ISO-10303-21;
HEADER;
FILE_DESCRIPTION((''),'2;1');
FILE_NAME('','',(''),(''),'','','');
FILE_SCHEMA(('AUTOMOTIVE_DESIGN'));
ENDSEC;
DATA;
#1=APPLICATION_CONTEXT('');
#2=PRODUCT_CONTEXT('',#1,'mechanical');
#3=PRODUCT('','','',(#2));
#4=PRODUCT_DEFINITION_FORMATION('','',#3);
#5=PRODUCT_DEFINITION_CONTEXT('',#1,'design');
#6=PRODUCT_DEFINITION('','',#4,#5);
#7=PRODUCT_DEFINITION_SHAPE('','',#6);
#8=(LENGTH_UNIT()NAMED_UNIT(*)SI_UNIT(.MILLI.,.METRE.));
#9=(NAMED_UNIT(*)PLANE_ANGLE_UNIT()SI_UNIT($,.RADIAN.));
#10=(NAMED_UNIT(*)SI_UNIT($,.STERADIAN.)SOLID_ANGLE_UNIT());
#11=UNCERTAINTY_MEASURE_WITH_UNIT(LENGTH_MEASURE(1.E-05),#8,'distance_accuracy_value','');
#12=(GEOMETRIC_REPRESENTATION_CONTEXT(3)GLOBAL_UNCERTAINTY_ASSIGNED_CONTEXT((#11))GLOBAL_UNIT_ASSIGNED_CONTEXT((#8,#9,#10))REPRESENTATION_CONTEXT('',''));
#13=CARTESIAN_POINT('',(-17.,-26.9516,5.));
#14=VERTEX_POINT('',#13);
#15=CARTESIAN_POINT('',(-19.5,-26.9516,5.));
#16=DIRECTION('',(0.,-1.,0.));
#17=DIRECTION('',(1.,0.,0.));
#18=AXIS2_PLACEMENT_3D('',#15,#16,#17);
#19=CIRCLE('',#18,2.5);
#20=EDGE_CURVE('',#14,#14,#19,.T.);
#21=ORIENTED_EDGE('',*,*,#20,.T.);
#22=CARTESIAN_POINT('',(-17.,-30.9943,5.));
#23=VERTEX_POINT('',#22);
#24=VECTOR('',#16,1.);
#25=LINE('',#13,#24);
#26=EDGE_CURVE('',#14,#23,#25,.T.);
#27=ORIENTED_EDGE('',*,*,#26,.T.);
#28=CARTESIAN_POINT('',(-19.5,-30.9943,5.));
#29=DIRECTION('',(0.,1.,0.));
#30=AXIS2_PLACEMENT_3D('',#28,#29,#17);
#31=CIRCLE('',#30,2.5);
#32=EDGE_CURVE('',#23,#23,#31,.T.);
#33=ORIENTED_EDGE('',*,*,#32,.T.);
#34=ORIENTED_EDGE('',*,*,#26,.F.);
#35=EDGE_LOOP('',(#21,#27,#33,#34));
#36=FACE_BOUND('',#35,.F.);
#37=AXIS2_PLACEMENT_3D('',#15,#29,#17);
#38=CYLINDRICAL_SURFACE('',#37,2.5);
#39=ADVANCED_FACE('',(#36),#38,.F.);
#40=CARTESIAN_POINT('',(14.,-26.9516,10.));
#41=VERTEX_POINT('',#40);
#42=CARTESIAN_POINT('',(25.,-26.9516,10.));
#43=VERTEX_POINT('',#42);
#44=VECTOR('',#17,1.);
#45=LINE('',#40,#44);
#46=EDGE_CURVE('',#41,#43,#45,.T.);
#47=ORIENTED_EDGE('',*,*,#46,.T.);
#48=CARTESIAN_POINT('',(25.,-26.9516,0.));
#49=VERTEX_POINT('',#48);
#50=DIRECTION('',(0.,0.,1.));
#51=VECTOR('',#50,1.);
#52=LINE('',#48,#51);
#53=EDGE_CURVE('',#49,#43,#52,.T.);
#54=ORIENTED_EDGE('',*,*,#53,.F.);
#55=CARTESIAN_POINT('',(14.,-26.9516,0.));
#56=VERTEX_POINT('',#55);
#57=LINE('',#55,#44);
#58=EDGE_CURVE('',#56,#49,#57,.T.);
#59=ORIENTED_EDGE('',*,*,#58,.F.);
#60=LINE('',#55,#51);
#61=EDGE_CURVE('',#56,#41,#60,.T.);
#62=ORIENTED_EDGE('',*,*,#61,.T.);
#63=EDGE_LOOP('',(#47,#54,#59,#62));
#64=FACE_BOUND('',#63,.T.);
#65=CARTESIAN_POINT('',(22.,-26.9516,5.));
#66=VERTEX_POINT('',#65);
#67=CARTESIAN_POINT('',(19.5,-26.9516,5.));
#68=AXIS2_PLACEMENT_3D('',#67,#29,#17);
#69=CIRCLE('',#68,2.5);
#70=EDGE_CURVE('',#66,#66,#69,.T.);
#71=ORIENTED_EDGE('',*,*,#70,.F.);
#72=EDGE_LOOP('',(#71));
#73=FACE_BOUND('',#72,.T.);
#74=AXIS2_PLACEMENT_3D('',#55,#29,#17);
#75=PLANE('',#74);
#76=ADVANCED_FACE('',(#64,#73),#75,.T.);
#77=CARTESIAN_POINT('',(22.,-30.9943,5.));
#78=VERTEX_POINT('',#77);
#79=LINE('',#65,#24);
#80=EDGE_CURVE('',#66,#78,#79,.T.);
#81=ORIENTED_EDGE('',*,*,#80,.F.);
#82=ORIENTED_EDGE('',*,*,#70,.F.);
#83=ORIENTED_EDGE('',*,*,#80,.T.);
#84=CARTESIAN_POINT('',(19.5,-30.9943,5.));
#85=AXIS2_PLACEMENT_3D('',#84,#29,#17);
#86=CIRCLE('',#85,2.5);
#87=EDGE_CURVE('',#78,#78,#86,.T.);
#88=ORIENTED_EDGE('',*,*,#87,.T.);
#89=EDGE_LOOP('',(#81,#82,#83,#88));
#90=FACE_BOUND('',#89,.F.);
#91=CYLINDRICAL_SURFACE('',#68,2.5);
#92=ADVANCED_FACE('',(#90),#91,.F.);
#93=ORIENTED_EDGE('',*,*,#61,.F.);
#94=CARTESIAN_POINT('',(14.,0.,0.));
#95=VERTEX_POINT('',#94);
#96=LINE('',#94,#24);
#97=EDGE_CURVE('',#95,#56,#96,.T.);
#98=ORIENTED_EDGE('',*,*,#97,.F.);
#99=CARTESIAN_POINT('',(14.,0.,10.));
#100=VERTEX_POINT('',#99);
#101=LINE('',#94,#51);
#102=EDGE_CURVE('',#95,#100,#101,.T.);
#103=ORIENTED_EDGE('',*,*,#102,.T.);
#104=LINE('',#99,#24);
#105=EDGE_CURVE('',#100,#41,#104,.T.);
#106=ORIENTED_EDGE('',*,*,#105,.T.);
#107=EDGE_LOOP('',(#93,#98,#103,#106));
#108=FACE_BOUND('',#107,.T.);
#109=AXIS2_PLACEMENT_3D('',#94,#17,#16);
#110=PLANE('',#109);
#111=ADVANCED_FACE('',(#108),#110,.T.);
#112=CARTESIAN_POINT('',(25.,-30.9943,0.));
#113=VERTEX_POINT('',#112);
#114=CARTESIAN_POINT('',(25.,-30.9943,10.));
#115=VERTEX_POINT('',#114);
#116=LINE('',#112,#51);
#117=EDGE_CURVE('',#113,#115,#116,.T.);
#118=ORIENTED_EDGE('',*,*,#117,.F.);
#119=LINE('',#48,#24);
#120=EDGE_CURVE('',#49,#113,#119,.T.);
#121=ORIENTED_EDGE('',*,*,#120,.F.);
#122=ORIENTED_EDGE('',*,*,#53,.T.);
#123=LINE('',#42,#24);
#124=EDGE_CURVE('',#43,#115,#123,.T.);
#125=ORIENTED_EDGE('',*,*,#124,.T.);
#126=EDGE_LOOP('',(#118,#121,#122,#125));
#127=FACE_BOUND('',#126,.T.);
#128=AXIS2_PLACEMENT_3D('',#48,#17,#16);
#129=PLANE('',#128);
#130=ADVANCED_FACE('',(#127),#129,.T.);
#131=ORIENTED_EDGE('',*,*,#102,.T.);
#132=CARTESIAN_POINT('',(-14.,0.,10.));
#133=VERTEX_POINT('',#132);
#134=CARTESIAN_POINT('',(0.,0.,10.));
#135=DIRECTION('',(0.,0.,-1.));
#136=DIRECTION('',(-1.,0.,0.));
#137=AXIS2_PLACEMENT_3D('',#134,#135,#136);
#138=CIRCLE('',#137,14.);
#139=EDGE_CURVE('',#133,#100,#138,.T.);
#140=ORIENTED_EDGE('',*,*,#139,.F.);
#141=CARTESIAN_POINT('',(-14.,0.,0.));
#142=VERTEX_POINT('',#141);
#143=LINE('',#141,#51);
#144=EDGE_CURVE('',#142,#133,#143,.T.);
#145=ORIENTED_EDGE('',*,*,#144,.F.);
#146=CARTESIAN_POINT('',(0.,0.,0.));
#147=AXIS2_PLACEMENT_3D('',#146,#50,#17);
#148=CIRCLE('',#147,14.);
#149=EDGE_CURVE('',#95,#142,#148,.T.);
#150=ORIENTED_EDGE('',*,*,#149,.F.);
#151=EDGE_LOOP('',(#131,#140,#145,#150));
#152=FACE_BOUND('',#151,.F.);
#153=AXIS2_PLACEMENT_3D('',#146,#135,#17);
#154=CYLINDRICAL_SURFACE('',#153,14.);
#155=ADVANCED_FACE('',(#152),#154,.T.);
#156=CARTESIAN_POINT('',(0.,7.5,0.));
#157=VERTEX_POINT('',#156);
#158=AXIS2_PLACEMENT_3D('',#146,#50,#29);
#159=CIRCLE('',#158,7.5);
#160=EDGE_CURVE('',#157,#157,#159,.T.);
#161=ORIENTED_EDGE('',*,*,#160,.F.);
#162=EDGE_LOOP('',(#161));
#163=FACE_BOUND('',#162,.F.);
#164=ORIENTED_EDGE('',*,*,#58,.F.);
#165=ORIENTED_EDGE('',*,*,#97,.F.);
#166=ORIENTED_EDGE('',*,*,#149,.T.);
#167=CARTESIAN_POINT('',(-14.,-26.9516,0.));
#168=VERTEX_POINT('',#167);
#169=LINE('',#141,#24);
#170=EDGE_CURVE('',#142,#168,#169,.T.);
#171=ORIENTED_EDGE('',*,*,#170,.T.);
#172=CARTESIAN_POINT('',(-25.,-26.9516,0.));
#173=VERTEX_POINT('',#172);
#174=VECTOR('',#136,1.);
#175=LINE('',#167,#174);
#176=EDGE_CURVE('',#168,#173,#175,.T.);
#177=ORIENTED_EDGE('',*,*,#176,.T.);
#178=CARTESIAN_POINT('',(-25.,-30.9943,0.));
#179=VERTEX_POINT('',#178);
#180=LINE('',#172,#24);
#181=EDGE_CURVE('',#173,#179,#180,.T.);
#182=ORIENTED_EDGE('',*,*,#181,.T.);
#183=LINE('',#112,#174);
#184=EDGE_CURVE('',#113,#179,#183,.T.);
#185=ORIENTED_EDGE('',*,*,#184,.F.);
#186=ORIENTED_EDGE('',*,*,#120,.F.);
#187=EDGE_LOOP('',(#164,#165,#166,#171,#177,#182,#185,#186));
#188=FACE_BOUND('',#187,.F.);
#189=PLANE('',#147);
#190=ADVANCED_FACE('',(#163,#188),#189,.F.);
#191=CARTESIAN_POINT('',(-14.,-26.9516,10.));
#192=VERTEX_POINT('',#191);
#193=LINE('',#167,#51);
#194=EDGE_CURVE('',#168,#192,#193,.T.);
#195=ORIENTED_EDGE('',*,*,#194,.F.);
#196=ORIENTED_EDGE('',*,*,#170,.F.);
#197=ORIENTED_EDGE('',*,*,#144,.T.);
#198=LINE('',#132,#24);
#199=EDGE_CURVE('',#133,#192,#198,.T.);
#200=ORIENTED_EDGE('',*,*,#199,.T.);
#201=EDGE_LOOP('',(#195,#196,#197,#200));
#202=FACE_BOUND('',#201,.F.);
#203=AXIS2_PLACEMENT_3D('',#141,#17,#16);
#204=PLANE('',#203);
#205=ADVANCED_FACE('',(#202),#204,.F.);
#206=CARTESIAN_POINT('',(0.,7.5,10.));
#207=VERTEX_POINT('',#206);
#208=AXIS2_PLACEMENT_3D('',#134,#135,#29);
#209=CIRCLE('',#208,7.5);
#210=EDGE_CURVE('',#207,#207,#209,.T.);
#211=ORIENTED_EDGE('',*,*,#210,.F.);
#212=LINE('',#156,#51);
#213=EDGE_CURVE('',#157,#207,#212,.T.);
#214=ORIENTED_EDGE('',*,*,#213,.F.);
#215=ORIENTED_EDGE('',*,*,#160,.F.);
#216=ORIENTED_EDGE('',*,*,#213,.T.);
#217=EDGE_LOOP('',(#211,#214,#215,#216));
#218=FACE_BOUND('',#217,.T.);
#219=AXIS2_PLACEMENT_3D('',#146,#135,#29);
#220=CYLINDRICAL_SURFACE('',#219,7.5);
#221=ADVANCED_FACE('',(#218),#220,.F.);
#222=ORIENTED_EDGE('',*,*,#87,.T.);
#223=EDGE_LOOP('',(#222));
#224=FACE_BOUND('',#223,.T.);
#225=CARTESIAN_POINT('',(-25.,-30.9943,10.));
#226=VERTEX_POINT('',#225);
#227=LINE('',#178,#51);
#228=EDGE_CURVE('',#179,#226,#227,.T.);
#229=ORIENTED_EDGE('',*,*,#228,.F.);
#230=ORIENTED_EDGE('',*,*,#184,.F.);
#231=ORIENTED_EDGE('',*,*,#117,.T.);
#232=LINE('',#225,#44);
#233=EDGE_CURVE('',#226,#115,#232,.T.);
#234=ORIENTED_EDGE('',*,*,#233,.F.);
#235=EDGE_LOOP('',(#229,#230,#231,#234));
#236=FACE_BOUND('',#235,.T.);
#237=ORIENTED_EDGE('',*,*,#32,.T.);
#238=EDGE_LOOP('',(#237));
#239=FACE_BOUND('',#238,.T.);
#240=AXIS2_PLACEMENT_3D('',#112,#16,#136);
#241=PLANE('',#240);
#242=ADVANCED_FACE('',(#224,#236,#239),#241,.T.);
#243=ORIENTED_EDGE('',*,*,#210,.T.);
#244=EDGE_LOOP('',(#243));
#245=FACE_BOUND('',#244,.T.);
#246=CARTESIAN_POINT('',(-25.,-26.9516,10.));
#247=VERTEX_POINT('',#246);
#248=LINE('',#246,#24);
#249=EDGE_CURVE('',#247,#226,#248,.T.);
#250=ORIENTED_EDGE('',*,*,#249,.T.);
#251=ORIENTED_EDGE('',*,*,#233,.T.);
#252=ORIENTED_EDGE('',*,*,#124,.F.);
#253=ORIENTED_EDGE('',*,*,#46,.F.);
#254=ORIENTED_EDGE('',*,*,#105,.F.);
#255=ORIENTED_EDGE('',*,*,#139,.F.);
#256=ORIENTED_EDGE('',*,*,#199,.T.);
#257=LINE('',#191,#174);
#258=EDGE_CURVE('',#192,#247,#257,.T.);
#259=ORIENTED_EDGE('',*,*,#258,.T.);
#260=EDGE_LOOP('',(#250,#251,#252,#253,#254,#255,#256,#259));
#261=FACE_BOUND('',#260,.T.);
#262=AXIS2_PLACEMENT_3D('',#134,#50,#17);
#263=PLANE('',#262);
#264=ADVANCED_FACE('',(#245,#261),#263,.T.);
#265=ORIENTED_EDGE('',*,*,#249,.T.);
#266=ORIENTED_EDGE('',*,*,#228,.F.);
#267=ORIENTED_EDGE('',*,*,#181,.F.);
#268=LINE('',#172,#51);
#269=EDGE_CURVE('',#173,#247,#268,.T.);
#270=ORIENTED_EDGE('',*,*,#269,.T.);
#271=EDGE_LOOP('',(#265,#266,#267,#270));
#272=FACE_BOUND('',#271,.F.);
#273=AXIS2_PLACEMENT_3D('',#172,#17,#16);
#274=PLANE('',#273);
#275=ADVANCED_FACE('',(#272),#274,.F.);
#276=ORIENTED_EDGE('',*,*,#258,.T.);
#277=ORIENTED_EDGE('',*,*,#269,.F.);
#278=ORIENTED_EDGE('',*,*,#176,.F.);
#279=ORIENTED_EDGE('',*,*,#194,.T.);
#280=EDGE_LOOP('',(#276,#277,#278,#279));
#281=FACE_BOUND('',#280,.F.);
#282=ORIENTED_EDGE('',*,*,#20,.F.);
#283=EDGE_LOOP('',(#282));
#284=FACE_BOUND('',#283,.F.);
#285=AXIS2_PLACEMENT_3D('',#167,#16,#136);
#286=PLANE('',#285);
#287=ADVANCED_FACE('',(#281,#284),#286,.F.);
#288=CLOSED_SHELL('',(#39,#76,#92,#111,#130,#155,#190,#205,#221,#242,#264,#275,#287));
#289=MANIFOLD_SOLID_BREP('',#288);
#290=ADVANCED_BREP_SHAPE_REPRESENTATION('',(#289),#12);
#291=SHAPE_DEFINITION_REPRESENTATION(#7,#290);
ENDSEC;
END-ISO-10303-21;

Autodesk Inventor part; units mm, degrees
ref_plane "YZ Plane" through (0, 0, 0) normal (1, 0, 0) x (0, 1, 0)
ref_plane "XZ Plane" through (0, 0, 0) normal (0, 1, 0) x (-1, 0, 0)
ref_plane "XY Plane" through (0, 0, 0) normal (0, 0, 1) x (1, 0, 0)
sketch "Boceto1" plane through (0, 0, 0) normal (0, 0, 1) x (1, 0, 0)
  arc A0 (0, 14) -> (-14, 0) centre (0, 0) ccw
  line L0 (-14, 0) -> (-14, -26.9516)
  line L1 (-14, -26.9516) -> (-25, -26.9516)
  line L2 (-25, -26.9516) -> (-25, -30.9943)
  line L3 (-25, -30.9943) -> (0, -30.9943)
  line L4 (0, -30.9943) -> (0, 14) construction
  arc A1 (0, 7.5) -> (0, -7.5) centre (0, 0) ccw
  arc A2 (14, 0) -> (0, 14) centre (0, 0) ccw
  line L5 (14, 0) -> (14, -26.9516)
  line L6 (14, -26.9516) -> (25, -26.9516)
  line L7 (25, -26.9516) -> (25, -30.9943)
  line L8 (25, -30.9943) -> (0, -30.9943)
  arc A3 (0, -7.5) -> (0, 7.5) centre (0, 0) ccw
  dimension "d2" = 7.5
  dimension "d6" = 50
  dimension "d7" = 28
extrude "Extrusión1" add sketch "Boceto1" along normal blind 10
sketch "Boceto2" plane through (-25, -26.9516, 0) normal (0, 1, 0) x (1, 0, 0)
  line L0 (11, 0) -> (39, 0) projected
  line L1 (0, -10) -> (50, -10) projected
  line L2 (11, 0) -> (0, -10)
  line L3 (11, -10) -> (39, -10) projected
  line L4 (0, 0) -> (50, 0) projected
  line L5 (11, -10) -> (0, 0)
  line L6 (0, 0) -> (50, -10)
  line L7 (0, -10) -> (50, 0)
  line L8 (25, -5) -> (25, 11.6359)
  circle A0 centre (5.5, -5) radius 2.5
  circle A1 centre (44.5, -5) radius 2.5
  point P0 (25, 0)
  dimension "d3" = 5
extrude "Extrusión2" cut sketch "Boceto2" against normal blind 5 contours A0 L5 L2 | L2 L5 A0 | L5 L2 A0 | L5 A0 L2 | A1
properties part number "sopoetellantas"
